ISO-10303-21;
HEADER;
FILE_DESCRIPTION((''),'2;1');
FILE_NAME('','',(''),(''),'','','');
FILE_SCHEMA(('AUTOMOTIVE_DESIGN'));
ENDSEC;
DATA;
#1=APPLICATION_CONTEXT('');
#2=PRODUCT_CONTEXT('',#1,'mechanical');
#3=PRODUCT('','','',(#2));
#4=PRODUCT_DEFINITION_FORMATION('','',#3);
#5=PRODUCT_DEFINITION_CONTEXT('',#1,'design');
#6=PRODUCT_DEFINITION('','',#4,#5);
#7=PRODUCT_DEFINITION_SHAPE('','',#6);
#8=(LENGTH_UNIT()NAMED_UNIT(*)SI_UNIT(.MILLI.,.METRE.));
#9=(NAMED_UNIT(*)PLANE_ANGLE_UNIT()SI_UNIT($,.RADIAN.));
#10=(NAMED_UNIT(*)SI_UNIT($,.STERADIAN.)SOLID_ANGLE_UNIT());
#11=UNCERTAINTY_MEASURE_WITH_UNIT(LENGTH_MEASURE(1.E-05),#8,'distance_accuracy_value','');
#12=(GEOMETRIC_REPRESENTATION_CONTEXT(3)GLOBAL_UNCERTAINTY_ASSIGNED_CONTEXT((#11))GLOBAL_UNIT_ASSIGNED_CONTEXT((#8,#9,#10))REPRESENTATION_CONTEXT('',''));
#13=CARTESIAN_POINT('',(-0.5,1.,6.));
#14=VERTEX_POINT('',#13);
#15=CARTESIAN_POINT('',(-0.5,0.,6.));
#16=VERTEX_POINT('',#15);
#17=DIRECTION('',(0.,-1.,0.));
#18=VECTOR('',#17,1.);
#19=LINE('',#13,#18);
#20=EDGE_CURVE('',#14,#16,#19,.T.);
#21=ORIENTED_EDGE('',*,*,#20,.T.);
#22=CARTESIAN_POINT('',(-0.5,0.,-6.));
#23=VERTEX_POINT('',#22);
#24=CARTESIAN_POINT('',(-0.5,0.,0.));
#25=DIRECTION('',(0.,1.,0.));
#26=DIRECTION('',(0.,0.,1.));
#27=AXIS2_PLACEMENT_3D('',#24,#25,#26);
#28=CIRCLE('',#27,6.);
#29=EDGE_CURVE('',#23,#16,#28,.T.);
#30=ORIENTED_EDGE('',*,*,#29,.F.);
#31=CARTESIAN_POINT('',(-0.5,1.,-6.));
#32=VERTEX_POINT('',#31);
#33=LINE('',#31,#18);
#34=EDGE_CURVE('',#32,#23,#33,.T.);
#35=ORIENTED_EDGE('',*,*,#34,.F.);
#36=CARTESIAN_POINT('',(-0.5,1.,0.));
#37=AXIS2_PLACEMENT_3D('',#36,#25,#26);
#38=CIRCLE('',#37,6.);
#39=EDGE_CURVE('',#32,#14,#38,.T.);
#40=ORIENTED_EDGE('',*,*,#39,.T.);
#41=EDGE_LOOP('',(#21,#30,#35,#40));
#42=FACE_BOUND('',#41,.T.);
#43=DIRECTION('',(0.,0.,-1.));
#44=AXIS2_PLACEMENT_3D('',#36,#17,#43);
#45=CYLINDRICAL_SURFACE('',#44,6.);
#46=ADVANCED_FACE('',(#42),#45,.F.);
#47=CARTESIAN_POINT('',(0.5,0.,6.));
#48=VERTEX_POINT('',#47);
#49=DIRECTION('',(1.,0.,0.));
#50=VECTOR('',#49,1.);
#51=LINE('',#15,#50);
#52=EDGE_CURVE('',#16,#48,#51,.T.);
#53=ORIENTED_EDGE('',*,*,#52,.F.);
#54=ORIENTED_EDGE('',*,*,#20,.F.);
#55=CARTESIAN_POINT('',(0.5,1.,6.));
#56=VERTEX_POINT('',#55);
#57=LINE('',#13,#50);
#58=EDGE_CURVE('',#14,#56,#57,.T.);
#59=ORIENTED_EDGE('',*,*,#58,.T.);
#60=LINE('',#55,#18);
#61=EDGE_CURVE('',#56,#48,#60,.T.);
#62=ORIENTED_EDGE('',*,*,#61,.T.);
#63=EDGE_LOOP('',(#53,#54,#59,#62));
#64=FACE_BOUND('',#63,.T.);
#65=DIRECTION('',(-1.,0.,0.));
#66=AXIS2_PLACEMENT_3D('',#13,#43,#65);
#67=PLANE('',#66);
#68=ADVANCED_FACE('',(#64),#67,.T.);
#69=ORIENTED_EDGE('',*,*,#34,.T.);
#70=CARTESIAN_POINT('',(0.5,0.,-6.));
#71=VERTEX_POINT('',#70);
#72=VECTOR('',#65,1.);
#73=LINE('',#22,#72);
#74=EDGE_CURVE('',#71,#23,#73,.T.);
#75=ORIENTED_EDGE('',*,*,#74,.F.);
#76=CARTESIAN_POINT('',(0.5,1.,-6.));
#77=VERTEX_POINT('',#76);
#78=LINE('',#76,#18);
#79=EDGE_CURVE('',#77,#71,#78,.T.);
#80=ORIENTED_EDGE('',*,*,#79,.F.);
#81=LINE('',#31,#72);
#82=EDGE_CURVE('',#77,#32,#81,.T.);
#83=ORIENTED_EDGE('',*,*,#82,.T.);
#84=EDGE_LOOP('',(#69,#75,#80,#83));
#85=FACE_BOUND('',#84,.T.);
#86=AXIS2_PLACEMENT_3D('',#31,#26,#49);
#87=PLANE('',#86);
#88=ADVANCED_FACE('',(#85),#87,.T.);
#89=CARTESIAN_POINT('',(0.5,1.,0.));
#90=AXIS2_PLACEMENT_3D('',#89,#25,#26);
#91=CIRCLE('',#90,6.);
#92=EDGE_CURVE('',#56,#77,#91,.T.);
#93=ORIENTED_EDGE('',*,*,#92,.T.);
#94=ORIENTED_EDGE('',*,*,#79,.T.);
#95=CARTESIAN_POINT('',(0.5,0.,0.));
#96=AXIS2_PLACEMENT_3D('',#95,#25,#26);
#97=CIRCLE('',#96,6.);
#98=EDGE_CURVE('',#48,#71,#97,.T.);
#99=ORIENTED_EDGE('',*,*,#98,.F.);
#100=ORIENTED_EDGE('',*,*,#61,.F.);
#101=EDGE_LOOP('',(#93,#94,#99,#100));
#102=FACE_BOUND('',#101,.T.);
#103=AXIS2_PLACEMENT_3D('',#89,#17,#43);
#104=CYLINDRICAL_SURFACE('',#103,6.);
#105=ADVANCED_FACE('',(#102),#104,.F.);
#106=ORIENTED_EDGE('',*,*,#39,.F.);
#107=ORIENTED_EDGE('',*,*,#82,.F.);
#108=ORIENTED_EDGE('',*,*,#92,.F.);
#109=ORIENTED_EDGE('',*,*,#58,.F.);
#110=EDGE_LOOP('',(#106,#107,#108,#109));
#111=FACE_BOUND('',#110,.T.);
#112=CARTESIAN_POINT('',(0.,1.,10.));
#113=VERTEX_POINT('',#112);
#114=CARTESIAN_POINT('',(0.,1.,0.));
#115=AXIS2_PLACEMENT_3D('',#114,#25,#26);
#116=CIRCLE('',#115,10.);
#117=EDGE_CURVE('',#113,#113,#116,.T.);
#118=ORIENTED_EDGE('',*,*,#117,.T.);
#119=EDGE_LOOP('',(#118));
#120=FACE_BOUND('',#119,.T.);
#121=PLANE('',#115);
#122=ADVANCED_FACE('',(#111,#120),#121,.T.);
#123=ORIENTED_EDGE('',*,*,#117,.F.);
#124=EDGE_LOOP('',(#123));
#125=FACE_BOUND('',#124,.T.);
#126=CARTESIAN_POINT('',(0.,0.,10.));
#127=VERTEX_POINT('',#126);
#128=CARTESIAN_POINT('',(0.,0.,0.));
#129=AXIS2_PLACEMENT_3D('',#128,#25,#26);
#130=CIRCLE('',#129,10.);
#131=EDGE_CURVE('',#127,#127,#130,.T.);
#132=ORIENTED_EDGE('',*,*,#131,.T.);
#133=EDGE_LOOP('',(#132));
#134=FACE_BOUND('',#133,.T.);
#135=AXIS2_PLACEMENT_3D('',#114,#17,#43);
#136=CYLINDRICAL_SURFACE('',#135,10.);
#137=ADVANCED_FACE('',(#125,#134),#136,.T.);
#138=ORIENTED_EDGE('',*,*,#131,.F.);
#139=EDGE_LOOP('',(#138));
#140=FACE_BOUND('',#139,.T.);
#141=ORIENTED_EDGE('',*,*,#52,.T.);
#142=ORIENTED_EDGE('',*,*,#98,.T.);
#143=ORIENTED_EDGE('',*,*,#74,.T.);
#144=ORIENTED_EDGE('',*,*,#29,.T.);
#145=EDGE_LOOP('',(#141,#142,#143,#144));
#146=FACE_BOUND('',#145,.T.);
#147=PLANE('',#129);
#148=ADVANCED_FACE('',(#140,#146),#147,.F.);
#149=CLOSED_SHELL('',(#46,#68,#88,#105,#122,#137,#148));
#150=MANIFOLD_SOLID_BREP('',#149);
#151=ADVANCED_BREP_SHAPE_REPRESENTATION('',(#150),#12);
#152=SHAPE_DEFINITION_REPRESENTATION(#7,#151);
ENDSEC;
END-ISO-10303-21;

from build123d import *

# Parameters (mm, degrees)
SKETCH1_R           = 10
BOSS_EXTRUDE1_DEPTH = 1


with BuildPart() as part:
    # Sketch1 → Boss-Extrude1 (new body)
    with BuildSketch(Plane(origin=(0, 0, 0), x_dir=(1, 0, 0), z_dir=(0, 1, 0))):
        with Locations(Location((0, 0, 0), (0, 0, 270))):
            Circle(SKETCH1_R)
        with BuildLine():
            Line((-0.5, 6), (0.5, 6))
            ThreePointArc((0.5, 6), (6.5, 0), (0.5, -6))
            Line((0.5, -6), (-0.5, -6))
            ThreePointArc((-0.5, -6), (-6.5, 0), (-0.5, 6))
        make_face(mode=Mode.SUBTRACT)
    extrude(amount=BOSS_EXTRUDE1_DEPTH)


solid = part.part
